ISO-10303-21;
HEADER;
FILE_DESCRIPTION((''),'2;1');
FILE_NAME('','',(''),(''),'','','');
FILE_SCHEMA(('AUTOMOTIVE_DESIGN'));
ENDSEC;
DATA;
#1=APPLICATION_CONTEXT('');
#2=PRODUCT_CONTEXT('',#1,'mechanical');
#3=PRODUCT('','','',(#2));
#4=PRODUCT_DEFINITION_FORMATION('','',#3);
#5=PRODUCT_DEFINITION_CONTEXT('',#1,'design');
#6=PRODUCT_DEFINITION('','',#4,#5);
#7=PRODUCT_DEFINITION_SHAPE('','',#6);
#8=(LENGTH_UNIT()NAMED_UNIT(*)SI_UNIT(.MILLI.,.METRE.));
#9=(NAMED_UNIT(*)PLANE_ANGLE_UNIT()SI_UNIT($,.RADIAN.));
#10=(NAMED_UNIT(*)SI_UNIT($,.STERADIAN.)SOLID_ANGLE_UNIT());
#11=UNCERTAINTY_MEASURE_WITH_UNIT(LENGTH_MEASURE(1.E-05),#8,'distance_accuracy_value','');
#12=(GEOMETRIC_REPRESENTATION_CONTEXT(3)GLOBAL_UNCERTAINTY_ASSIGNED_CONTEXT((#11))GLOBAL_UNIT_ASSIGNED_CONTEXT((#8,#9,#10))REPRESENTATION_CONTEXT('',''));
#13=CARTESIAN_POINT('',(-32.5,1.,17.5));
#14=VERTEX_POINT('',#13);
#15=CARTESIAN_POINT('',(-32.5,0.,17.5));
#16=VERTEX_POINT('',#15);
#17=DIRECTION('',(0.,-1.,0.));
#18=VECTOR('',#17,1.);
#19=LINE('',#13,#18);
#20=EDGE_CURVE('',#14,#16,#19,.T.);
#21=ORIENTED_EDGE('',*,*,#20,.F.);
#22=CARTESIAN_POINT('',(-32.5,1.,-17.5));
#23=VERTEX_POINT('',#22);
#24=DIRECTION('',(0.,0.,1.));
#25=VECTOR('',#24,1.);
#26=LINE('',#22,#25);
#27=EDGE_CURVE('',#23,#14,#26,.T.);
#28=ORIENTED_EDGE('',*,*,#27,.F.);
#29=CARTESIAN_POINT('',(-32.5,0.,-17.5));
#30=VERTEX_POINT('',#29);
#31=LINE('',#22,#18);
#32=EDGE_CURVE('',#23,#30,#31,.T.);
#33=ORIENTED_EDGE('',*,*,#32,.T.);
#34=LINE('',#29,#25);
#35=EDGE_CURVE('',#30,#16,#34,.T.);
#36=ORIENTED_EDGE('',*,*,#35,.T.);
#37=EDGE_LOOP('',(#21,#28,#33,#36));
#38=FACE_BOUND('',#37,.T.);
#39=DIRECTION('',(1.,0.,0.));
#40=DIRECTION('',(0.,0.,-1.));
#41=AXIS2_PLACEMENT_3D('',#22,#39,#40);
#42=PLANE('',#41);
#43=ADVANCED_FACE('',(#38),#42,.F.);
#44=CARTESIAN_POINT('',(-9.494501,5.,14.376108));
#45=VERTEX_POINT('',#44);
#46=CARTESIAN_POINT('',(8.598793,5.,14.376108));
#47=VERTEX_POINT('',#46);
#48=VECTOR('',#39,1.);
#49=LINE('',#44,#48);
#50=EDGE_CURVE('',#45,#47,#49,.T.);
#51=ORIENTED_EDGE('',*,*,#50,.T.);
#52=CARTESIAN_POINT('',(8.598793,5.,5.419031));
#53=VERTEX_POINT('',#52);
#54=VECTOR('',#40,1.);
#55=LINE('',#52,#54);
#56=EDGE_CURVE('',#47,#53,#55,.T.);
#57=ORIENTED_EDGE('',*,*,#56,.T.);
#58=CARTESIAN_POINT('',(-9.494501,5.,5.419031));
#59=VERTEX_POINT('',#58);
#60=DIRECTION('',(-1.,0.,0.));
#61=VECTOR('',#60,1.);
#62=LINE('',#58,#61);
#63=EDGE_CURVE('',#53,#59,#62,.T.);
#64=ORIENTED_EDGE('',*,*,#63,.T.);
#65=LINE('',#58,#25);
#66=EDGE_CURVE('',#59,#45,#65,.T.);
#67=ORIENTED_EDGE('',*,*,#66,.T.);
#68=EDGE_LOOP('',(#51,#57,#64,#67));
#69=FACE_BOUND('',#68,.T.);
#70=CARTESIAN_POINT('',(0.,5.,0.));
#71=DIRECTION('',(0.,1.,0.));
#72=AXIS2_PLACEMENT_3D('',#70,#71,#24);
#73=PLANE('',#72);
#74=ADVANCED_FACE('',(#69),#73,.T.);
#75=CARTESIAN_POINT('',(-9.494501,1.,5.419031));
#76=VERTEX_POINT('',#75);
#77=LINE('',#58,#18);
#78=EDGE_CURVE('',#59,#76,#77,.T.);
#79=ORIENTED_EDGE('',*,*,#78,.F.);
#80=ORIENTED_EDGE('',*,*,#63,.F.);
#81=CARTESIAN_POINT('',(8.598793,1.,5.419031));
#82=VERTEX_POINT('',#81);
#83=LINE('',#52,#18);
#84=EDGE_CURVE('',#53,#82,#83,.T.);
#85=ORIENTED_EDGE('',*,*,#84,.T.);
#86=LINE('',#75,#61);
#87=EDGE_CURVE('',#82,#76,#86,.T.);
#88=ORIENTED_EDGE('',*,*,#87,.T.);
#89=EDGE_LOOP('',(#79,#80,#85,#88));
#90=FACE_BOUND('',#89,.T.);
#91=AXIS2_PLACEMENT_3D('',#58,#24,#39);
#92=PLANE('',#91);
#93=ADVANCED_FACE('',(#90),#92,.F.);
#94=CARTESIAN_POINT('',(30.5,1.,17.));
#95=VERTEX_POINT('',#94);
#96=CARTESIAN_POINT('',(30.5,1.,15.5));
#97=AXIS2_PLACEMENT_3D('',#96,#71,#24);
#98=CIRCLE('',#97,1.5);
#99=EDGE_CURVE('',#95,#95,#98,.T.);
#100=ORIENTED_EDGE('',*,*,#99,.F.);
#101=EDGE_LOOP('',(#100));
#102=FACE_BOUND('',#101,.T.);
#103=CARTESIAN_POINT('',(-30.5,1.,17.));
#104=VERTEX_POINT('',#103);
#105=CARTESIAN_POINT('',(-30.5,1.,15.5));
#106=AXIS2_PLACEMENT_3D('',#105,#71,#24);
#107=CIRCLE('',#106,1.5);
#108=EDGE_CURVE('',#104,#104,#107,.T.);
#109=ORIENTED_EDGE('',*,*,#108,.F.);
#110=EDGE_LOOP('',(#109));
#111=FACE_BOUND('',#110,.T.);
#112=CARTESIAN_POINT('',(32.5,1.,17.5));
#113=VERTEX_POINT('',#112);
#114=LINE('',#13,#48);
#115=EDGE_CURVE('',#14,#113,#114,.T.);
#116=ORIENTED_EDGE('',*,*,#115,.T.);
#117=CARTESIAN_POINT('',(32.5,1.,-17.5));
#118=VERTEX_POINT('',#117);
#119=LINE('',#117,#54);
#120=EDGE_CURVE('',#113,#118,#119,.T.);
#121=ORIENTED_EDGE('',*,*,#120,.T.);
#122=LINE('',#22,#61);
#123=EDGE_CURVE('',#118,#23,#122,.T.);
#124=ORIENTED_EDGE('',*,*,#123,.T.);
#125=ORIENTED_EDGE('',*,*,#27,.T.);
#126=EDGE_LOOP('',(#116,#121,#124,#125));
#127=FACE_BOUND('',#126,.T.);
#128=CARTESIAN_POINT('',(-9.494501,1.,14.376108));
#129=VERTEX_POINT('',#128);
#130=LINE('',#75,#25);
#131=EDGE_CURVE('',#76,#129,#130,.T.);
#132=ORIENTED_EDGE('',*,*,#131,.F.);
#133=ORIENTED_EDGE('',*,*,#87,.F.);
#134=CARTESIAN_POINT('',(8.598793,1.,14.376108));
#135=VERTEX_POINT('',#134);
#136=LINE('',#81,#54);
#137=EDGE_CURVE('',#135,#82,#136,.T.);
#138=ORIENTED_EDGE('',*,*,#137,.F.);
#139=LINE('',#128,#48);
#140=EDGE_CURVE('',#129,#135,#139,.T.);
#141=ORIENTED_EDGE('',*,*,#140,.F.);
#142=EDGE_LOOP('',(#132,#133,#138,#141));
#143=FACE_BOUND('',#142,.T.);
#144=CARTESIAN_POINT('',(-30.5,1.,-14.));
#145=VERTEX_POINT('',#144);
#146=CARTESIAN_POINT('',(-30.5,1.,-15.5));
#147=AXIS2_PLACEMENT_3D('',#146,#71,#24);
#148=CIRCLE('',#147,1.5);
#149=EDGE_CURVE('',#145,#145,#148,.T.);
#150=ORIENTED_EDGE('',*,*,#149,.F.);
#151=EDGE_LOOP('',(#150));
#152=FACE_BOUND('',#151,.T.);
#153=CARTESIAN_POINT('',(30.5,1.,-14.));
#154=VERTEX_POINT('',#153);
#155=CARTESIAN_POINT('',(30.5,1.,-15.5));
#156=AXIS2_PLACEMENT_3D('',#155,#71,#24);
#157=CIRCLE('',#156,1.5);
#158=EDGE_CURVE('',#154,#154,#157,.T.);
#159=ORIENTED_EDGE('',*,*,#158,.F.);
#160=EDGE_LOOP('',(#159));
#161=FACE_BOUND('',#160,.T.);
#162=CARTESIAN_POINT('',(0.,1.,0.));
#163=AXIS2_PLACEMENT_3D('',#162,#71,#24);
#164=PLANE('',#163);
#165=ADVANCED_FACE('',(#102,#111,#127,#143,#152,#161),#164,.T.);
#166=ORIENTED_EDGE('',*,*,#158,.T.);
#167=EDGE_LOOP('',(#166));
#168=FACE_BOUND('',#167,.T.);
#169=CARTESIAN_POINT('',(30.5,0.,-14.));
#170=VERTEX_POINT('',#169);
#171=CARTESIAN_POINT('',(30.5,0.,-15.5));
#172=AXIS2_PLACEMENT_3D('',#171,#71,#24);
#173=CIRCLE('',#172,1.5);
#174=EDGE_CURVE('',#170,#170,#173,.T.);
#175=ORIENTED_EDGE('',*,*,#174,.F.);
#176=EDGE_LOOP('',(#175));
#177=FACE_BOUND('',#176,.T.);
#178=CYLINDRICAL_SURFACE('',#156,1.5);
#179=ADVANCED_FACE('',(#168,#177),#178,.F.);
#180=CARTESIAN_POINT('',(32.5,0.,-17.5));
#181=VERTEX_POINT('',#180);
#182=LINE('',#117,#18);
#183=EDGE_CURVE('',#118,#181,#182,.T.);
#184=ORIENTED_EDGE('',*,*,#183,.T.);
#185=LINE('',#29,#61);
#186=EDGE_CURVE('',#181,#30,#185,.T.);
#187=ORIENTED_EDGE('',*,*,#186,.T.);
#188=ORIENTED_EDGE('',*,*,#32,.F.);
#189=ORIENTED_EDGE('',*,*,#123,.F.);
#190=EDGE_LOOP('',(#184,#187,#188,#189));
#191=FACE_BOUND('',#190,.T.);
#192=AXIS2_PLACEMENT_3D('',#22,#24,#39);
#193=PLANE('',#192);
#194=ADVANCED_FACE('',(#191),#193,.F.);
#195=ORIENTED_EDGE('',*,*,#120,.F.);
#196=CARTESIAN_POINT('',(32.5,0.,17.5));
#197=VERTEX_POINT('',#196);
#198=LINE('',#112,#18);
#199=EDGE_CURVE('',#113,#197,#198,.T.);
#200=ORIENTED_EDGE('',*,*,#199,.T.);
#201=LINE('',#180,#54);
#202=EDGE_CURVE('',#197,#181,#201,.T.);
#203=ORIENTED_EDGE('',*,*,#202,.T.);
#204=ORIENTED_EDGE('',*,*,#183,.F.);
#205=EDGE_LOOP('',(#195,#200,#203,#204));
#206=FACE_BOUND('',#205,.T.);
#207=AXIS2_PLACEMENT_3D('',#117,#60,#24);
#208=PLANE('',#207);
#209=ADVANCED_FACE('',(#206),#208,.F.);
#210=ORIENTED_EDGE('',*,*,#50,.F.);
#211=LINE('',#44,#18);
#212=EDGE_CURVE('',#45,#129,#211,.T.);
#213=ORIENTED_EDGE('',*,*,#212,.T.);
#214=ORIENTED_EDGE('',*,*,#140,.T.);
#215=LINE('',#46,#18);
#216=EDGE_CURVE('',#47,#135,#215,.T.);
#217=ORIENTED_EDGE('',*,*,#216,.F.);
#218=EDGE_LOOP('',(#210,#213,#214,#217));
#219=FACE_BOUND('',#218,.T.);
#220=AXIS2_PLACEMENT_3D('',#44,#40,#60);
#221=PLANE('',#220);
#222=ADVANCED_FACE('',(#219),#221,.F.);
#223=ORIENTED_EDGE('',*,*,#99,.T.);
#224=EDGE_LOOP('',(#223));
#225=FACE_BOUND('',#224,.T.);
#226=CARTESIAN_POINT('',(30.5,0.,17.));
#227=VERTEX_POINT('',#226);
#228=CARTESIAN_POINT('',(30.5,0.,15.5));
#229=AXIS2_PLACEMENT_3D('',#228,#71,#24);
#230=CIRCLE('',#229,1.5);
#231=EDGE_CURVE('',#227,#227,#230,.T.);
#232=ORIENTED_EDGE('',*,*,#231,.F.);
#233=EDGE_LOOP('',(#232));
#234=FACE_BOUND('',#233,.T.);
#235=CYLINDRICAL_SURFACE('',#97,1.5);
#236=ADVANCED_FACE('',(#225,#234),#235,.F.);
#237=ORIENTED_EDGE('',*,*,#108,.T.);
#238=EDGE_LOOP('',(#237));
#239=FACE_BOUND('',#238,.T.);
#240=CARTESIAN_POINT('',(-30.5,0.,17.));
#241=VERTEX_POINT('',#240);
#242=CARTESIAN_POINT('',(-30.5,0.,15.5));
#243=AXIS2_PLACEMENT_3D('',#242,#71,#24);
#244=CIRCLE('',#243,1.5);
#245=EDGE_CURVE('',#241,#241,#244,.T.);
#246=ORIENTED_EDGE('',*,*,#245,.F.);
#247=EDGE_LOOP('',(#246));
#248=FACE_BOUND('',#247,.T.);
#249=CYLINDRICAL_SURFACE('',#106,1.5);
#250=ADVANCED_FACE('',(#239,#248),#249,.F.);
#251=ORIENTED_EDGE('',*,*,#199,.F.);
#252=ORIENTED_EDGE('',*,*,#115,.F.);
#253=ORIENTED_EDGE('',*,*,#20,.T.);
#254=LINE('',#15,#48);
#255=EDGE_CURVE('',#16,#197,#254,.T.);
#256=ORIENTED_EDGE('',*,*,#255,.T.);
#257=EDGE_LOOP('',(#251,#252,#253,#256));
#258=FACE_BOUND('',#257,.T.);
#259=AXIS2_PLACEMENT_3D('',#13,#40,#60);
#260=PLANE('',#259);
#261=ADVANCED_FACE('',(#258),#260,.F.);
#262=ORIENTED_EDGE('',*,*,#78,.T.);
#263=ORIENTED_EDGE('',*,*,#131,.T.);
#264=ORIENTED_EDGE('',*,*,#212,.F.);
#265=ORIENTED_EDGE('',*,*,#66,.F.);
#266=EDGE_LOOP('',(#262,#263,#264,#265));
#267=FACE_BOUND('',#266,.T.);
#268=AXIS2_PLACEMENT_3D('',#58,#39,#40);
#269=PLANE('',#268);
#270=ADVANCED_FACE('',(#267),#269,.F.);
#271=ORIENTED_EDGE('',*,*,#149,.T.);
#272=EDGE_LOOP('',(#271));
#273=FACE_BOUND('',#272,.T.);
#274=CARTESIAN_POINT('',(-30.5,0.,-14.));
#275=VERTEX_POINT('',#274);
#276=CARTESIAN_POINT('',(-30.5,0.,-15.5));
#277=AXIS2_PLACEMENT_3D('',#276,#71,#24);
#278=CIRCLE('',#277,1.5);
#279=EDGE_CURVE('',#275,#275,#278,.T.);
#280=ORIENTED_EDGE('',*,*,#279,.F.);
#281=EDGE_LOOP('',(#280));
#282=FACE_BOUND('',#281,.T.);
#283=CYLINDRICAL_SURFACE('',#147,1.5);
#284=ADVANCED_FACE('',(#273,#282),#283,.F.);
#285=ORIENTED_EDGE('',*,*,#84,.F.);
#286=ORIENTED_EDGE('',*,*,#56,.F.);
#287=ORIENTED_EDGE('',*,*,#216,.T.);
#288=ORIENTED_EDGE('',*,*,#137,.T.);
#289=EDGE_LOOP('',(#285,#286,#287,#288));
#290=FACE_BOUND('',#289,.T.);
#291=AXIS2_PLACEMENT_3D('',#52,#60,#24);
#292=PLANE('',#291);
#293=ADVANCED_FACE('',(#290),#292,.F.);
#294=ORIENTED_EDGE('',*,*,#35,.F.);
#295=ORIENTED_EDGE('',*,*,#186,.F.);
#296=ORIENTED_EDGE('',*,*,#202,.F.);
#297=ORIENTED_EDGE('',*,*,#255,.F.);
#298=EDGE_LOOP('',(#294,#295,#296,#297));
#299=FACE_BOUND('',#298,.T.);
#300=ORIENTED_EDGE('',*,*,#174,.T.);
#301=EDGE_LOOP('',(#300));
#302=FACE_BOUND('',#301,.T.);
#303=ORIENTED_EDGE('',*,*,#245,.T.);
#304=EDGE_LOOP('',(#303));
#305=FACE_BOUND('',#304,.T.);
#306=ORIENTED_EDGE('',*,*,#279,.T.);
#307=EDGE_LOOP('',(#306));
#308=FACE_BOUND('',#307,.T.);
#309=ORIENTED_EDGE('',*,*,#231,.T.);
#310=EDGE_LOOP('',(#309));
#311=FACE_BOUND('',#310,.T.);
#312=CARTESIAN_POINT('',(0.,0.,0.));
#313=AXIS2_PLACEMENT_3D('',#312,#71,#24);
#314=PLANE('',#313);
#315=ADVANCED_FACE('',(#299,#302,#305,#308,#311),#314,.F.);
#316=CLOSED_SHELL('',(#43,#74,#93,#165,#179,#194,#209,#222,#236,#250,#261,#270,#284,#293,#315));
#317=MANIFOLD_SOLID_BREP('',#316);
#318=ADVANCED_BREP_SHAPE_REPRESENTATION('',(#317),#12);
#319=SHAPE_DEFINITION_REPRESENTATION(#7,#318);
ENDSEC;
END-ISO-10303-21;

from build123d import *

# Parameters (mm, degrees)
SKETCH_2_W                = 65
SKETCH_2_H                = 35
EXTRUDE_1_DEPTH           = 1
HOLE_WIZARD_3_0_3_1_D     = 3
HOLE_WIZARD_3_0_3_1_DEPTH = 12.4
HOLE_WIZARD_3_0_3_1_TIP   = 0.901290929
SKETCH_5_W                = 18.093294379
SKETCH_5_H                = 8.957076426
EXTRUDE_2_DEPTH           = 4


with BuildPart() as part:
    # 草图2 → 凸台-拉伸1 (new body)
    with BuildSketch(Plane(origin=(0, 0, 0), x_dir=(1, 0, 0), z_dir=(0, 1, 0))):
        Rectangle(SKETCH_2_W, SKETCH_2_H)
    extrude(amount=EXTRUDE_1_DEPTH)

    # Ø3.0 (3) 直径孔1
    with Locations(Plane(origin=(0, 1, 0), x_dir=(1, 0, 0), z_dir=(0, 1, 0))):
        with Locations((-30.5, 15.5), (-30.5, -15.5), (30.5, -15.5), (30.5, 15.5)):
            Hole(HOLE_WIZARD_3_0_3_1_D / 2, depth=HOLE_WIZARD_3_0_3_1_DEPTH)
            with Locations((0, 0, -(HOLE_WIZARD_3_0_3_1_DEPTH + HOLE_WIZARD_3_0_3_1_TIP / 2))):  # 118° drill point
                Cone(0, HOLE_WIZARD_3_0_3_1_D / 2, HOLE_WIZARD_3_0_3_1_TIP, mode=Mode.SUBTRACT)

    # 草图5 → 凸台-拉伸2 (add)
    with BuildSketch(Plane(origin=(0, 1, 0), x_dir=(1, 0, 0), z_dir=(0, 1, 0))):
        with Locations((-0.447853821, -9.89756945)):
            Rectangle(SKETCH_5_W, SKETCH_5_H)
    extrude(amount=EXTRUDE_2_DEPTH)


solid = part.part
